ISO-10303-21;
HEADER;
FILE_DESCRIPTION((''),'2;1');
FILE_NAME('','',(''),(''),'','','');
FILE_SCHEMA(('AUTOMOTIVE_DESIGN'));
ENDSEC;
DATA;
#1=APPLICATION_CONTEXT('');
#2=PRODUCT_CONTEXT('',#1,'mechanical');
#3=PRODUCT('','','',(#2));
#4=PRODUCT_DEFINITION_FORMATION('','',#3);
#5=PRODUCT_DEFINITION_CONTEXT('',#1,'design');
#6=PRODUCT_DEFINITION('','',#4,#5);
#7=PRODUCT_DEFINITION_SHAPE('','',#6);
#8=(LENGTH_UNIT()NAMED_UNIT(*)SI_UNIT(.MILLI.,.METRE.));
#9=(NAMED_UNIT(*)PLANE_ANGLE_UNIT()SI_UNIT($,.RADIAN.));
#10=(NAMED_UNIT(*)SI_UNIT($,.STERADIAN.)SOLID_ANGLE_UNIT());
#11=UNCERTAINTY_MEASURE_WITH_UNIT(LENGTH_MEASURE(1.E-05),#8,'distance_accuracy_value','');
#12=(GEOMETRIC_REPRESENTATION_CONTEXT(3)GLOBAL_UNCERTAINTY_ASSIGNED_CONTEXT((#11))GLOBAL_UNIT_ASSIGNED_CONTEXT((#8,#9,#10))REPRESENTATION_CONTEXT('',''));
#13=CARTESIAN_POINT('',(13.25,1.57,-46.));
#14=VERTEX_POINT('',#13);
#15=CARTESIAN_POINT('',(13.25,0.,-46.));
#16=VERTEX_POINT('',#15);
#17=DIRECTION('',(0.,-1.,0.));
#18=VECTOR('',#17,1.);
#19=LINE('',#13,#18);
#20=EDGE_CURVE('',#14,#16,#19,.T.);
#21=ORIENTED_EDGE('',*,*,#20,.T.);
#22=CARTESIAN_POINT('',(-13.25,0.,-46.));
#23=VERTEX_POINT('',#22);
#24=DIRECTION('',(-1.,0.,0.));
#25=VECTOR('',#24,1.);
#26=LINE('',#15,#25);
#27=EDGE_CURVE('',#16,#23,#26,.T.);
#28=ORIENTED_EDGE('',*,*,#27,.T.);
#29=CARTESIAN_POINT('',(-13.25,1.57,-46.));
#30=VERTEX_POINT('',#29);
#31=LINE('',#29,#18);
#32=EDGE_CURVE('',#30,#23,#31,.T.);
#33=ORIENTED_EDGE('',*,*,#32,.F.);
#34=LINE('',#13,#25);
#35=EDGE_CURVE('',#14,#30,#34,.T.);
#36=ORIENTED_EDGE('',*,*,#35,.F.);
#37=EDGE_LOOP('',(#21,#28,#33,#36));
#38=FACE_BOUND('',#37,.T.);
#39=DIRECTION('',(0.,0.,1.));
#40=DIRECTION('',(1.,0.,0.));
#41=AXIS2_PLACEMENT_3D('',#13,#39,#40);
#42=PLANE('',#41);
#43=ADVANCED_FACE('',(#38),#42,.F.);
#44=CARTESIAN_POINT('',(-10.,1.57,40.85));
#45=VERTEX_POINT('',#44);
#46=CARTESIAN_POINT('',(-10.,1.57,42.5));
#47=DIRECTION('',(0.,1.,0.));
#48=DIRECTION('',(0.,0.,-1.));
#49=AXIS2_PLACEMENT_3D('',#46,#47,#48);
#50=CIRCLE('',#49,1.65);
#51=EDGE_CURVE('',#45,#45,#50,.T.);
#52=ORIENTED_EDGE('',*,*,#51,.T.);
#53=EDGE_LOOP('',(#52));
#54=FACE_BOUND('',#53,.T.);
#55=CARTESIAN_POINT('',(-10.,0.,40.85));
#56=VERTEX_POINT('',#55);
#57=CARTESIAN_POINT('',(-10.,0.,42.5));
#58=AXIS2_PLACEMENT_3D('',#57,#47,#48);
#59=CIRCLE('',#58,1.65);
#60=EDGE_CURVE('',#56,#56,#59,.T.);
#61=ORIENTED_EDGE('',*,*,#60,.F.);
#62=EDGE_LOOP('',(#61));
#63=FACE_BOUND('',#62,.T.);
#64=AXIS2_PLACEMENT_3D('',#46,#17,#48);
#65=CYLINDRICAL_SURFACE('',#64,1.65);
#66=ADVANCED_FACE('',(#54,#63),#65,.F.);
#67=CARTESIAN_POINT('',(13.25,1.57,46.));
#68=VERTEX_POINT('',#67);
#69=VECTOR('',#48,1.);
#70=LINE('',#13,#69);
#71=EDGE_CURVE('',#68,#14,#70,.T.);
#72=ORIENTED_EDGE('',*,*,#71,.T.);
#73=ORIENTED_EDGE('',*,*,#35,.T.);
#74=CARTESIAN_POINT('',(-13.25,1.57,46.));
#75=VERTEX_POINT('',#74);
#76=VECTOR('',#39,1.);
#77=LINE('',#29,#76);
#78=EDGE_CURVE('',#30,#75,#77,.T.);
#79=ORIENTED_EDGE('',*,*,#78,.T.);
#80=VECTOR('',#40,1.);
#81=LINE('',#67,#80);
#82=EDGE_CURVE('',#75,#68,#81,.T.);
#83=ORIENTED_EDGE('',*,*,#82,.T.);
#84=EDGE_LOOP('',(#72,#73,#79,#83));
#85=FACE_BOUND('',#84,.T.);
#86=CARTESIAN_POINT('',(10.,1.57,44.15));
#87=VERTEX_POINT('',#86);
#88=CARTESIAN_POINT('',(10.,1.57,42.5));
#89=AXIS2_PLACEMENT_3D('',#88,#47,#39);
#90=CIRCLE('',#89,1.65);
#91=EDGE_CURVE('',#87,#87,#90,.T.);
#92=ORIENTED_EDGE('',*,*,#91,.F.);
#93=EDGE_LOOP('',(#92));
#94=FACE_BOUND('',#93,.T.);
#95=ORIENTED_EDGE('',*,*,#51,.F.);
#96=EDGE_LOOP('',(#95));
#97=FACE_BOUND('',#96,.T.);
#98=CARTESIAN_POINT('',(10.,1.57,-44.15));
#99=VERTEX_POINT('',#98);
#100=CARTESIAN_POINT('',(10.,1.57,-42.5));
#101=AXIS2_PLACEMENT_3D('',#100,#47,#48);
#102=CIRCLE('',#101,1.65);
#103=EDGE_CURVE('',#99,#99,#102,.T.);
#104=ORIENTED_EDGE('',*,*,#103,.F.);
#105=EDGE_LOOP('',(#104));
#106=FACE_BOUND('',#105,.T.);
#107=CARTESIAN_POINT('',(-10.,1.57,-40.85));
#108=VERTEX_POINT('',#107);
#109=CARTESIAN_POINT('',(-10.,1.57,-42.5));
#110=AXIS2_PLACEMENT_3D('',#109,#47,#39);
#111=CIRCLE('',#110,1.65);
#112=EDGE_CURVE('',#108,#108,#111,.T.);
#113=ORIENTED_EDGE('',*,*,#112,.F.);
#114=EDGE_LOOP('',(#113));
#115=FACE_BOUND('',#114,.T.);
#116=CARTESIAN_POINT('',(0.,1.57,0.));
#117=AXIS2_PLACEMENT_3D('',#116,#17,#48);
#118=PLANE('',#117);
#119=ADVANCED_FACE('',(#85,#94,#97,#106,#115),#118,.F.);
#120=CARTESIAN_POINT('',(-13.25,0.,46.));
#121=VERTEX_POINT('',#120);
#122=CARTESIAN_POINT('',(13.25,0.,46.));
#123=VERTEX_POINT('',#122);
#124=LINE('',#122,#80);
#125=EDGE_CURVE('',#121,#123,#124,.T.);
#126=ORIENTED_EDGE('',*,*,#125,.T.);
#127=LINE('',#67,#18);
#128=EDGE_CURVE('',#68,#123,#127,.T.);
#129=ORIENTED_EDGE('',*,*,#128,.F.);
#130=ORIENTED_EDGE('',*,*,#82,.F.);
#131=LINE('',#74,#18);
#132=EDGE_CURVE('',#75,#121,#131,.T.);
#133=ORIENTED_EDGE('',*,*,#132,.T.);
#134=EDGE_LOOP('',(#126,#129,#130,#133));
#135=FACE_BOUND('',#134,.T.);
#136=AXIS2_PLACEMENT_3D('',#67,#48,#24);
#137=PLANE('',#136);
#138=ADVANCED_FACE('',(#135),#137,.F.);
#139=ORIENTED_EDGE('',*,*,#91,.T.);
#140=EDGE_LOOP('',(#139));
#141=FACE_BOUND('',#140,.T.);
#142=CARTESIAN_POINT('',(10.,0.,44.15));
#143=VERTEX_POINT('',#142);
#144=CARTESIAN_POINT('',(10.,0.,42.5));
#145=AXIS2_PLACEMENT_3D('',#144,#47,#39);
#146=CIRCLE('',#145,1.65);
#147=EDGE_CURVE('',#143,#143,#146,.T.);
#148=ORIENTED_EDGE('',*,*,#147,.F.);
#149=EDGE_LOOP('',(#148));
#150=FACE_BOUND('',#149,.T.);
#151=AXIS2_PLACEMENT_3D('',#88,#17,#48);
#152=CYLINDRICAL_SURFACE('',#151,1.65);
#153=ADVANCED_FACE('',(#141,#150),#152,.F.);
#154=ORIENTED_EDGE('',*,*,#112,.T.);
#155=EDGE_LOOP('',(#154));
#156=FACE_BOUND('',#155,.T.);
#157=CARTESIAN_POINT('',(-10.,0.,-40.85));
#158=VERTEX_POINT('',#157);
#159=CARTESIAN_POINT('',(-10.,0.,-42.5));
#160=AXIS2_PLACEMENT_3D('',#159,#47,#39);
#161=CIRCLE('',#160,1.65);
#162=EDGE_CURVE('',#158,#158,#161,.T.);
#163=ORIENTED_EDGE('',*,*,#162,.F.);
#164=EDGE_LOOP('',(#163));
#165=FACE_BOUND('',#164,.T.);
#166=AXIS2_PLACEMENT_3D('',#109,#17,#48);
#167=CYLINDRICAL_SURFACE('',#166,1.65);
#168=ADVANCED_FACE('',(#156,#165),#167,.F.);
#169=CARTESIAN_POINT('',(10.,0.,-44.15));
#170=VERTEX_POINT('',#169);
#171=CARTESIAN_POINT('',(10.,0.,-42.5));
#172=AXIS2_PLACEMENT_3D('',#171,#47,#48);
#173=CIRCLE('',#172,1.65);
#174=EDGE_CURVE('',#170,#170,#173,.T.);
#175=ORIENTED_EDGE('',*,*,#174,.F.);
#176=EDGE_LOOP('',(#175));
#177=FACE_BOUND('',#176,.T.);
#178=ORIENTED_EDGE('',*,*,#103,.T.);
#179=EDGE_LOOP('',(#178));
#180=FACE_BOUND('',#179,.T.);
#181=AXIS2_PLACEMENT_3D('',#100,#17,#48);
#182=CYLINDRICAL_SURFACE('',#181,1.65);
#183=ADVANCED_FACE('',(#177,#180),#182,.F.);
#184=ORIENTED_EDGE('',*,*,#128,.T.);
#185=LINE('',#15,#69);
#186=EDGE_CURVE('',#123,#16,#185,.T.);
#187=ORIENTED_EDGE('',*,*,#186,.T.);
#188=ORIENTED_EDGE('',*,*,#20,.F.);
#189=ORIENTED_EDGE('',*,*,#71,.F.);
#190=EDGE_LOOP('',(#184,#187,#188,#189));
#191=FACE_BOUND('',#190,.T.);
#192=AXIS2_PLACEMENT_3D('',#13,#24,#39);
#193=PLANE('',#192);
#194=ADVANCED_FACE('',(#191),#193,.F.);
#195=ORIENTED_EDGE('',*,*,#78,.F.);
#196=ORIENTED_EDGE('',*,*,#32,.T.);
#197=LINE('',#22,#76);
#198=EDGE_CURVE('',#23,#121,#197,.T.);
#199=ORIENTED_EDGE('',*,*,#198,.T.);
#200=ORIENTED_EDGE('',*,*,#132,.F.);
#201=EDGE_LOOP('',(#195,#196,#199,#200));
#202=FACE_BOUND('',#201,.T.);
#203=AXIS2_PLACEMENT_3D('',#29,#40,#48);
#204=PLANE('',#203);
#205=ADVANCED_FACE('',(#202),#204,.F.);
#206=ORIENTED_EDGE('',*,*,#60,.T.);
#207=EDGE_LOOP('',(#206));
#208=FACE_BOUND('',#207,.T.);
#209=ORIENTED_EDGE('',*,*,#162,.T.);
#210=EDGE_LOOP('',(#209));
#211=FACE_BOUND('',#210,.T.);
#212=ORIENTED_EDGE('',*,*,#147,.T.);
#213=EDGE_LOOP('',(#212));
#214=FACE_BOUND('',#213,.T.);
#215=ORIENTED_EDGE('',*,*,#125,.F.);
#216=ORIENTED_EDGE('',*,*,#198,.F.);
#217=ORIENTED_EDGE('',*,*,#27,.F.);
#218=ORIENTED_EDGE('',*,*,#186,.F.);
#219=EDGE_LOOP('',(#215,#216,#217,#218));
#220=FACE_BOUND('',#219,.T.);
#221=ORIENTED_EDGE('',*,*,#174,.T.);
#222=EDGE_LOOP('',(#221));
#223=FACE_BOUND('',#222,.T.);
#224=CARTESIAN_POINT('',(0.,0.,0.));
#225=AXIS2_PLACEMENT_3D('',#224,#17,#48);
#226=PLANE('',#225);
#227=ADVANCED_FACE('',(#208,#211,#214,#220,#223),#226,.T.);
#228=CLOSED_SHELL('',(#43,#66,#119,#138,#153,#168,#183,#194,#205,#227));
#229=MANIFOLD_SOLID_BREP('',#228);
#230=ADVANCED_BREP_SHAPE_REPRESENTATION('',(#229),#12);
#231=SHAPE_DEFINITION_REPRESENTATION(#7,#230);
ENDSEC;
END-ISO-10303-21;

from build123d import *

# Parameters (mm, degrees)
SKETCH1_W           = 26.5
SKETCH1_H           = 92
SKETCH1_R           = 1.65
BOSS_EXTRUDE1_DEPTH = 1.57


with BuildPart() as part:
    # Sketch1 → Boss-Extrude1 (new body)
    with BuildSketch(Plane(origin=(0, 0, 0), x_dir=(1, 0, 0), z_dir=(0, 1, 0))):
        Rectangle(SKETCH1_W, SKETCH1_H)
        with Locations((-10, 42.5)):
            Circle(SKETCH1_R, mode=Mode.SUBTRACT)
        with Locations((10, 42.5)):
            Circle(SKETCH1_R, mode=Mode.SUBTRACT)
        with Locations((10, -42.5)):
            Circle(SKETCH1_R, mode=Mode.SUBTRACT)
        with Locations((-10, -42.5)):
            Circle(SKETCH1_R, mode=Mode.SUBTRACT)
    extrude(amount=BOSS_EXTRUDE1_DEPTH)


solid = part.part
